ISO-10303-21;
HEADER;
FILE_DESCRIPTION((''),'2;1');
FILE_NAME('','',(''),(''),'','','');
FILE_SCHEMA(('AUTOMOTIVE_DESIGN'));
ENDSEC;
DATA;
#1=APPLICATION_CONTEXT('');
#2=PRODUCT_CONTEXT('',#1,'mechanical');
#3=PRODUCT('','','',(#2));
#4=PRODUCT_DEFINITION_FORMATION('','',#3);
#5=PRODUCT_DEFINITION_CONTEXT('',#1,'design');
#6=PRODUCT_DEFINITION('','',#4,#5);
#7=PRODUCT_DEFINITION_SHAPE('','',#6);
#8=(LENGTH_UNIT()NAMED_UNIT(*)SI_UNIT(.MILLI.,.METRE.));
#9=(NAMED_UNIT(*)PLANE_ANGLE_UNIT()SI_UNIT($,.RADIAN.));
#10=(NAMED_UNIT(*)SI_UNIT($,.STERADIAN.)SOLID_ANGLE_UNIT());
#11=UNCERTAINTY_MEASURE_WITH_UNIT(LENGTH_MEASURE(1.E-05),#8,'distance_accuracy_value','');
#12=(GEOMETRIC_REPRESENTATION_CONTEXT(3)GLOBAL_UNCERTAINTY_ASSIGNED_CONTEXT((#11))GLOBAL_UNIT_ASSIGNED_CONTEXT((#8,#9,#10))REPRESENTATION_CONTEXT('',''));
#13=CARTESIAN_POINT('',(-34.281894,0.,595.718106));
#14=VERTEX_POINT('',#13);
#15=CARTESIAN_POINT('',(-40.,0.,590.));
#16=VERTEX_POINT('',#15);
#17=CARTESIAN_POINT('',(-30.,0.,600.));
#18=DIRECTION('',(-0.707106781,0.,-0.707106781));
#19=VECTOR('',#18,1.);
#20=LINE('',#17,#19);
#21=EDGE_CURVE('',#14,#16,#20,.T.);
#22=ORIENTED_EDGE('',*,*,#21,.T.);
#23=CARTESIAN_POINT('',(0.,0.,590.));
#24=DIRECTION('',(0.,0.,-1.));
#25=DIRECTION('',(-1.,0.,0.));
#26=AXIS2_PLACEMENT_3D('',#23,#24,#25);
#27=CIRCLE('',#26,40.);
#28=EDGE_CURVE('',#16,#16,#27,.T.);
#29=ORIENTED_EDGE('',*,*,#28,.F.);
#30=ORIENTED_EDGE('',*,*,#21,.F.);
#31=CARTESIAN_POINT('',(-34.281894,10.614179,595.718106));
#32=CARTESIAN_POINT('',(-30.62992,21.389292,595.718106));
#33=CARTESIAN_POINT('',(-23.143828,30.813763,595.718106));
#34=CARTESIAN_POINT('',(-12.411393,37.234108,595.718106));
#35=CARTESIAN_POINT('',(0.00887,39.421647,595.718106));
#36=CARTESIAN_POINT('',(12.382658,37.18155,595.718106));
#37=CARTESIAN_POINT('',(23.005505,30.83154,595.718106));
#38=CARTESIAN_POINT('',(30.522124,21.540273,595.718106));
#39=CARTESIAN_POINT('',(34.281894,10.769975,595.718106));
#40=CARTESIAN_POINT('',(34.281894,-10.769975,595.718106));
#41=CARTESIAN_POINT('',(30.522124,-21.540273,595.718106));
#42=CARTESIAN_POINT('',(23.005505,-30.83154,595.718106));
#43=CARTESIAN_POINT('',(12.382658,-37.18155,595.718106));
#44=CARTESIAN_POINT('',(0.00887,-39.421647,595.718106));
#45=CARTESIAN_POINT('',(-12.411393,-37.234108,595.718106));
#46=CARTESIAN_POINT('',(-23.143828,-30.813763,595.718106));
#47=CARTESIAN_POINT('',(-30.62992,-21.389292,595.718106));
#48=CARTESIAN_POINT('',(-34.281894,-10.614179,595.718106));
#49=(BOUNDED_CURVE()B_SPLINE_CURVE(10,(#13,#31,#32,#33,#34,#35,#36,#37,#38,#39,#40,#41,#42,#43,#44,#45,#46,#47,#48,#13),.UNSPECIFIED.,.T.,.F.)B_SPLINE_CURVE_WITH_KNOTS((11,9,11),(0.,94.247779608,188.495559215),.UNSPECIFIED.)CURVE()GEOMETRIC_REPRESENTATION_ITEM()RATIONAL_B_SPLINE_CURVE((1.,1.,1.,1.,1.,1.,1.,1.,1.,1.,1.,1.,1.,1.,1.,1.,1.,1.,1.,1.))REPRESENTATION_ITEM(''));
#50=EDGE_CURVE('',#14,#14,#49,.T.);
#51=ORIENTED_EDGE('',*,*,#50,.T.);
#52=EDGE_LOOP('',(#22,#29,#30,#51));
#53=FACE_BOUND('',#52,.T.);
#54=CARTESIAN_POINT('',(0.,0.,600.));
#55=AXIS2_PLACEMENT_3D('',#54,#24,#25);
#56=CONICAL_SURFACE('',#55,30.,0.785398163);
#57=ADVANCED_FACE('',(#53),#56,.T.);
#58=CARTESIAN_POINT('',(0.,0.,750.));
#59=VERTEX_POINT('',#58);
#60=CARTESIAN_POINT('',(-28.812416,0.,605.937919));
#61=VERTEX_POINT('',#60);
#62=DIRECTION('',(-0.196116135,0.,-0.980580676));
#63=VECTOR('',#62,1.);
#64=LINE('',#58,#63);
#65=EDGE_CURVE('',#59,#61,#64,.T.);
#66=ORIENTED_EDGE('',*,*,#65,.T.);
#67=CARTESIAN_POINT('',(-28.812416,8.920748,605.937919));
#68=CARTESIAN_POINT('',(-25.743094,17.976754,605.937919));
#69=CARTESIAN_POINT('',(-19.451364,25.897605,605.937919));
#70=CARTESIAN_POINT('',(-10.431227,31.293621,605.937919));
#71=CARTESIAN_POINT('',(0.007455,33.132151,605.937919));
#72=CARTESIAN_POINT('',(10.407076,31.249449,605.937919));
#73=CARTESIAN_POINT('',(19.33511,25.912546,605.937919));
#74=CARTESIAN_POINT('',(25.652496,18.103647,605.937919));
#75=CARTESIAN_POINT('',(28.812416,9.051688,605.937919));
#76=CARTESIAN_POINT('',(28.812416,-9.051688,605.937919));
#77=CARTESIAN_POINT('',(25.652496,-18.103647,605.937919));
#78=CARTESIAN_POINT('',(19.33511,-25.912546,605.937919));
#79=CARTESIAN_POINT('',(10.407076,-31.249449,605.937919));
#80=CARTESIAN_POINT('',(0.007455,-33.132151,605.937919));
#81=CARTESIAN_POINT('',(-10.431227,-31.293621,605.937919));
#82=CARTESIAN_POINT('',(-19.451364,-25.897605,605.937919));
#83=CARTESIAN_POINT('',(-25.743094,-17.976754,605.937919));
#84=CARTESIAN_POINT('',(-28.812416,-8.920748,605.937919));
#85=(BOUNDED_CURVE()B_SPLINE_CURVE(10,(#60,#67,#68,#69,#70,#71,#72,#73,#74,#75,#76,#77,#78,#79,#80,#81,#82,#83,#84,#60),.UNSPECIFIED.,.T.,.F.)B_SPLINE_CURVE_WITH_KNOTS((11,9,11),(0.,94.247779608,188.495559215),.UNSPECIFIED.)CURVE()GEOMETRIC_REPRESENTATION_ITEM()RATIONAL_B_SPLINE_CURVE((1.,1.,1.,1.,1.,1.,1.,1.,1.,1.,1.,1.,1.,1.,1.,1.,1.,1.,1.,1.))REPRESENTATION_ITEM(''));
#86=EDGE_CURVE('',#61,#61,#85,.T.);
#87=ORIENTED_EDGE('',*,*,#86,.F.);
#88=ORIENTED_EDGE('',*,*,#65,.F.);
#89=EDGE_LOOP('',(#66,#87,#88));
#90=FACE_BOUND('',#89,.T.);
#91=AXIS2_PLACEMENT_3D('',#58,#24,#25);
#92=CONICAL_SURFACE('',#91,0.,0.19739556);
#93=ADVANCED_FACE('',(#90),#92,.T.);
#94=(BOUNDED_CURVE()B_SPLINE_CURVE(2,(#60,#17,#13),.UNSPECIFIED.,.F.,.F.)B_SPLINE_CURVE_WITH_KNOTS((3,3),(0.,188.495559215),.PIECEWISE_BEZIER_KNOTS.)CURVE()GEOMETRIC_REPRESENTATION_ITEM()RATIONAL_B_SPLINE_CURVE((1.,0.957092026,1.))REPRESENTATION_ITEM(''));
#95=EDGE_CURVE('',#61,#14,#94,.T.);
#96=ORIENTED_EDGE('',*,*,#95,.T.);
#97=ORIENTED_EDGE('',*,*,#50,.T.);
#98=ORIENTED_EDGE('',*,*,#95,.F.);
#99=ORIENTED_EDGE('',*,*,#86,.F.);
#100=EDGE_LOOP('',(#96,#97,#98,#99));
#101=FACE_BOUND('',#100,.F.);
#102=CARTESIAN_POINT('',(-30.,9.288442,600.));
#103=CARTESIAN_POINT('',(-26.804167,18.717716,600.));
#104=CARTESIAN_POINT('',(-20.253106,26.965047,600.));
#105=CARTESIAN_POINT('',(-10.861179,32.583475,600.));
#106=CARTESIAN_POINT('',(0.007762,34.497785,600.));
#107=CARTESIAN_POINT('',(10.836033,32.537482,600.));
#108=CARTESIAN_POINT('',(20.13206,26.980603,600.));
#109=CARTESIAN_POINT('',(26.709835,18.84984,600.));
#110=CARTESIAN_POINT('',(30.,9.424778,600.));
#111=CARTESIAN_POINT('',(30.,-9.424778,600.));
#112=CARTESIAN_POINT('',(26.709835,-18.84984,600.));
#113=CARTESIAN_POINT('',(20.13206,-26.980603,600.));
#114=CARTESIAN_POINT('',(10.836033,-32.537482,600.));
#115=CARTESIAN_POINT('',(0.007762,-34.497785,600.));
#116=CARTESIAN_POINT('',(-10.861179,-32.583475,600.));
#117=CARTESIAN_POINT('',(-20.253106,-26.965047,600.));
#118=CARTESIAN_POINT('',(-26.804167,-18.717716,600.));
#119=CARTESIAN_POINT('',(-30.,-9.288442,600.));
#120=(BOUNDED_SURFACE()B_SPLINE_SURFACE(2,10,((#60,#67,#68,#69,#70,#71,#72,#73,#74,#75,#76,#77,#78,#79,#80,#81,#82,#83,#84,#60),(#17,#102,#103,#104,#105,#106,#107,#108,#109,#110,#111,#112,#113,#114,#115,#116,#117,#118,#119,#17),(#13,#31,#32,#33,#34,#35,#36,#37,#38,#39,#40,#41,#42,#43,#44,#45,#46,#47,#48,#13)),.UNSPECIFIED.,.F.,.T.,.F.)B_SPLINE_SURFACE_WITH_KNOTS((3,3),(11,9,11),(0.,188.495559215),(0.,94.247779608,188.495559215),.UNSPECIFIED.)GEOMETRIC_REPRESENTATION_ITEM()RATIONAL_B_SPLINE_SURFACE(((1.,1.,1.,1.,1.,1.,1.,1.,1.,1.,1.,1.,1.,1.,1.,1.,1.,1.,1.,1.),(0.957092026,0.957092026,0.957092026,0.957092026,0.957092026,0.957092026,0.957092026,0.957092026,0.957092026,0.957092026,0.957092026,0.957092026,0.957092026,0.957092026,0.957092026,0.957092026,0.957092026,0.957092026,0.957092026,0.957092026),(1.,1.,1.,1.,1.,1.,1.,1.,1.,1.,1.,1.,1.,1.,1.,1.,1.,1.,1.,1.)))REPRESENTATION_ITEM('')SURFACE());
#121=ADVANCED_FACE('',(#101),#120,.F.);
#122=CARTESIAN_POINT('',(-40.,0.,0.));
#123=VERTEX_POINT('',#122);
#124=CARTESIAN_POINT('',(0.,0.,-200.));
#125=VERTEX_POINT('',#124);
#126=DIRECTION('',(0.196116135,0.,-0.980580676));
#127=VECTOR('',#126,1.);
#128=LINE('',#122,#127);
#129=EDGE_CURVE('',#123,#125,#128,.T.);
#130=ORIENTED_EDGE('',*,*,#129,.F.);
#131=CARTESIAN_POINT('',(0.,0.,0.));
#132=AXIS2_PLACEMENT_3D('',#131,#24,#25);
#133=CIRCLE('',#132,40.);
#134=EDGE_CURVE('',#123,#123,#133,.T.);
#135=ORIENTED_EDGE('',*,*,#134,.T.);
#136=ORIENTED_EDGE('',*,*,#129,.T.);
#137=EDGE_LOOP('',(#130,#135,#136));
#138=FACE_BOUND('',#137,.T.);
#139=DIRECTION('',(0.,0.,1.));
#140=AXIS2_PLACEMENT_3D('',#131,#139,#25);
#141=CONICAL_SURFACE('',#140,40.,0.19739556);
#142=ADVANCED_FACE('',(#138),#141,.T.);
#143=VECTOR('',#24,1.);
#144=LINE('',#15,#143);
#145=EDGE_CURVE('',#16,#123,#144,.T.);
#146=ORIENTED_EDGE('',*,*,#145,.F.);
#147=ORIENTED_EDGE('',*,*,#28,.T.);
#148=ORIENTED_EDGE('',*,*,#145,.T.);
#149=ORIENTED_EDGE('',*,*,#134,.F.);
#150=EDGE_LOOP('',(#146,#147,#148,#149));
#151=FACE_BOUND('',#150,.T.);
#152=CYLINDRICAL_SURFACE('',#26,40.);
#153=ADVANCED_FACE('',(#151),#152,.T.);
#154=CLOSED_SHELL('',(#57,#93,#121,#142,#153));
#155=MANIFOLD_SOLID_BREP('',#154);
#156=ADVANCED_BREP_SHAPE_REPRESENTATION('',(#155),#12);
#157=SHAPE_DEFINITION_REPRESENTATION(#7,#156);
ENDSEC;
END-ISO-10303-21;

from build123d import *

# Parameters (mm, degrees)
F2_R = 20


with BuildPart() as f1:
    # F0 (on Front) → F1 (revolve)
    with BuildSketch(Plane.XZ):
        Polygon((0, 750), (-30, 600), (0, 600), align=None)
        Polygon((0, 600), (-30, 600), (-40, 590), (-40, 0), (0, 0), align=None)
        Polygon((0, -200), (0, 0), (-40, 0), align=None)
    revolve(axis=Axis((0, 0, 267.89996), (0, 0, -1)))

    # F2
    f2_edges = [f1.edges().sort_by_distance(p)[0] for p in [
        (30, 0, 600),
    ]]
    fillet(f2_edges, radius=F2_R)


solid = f1.part
